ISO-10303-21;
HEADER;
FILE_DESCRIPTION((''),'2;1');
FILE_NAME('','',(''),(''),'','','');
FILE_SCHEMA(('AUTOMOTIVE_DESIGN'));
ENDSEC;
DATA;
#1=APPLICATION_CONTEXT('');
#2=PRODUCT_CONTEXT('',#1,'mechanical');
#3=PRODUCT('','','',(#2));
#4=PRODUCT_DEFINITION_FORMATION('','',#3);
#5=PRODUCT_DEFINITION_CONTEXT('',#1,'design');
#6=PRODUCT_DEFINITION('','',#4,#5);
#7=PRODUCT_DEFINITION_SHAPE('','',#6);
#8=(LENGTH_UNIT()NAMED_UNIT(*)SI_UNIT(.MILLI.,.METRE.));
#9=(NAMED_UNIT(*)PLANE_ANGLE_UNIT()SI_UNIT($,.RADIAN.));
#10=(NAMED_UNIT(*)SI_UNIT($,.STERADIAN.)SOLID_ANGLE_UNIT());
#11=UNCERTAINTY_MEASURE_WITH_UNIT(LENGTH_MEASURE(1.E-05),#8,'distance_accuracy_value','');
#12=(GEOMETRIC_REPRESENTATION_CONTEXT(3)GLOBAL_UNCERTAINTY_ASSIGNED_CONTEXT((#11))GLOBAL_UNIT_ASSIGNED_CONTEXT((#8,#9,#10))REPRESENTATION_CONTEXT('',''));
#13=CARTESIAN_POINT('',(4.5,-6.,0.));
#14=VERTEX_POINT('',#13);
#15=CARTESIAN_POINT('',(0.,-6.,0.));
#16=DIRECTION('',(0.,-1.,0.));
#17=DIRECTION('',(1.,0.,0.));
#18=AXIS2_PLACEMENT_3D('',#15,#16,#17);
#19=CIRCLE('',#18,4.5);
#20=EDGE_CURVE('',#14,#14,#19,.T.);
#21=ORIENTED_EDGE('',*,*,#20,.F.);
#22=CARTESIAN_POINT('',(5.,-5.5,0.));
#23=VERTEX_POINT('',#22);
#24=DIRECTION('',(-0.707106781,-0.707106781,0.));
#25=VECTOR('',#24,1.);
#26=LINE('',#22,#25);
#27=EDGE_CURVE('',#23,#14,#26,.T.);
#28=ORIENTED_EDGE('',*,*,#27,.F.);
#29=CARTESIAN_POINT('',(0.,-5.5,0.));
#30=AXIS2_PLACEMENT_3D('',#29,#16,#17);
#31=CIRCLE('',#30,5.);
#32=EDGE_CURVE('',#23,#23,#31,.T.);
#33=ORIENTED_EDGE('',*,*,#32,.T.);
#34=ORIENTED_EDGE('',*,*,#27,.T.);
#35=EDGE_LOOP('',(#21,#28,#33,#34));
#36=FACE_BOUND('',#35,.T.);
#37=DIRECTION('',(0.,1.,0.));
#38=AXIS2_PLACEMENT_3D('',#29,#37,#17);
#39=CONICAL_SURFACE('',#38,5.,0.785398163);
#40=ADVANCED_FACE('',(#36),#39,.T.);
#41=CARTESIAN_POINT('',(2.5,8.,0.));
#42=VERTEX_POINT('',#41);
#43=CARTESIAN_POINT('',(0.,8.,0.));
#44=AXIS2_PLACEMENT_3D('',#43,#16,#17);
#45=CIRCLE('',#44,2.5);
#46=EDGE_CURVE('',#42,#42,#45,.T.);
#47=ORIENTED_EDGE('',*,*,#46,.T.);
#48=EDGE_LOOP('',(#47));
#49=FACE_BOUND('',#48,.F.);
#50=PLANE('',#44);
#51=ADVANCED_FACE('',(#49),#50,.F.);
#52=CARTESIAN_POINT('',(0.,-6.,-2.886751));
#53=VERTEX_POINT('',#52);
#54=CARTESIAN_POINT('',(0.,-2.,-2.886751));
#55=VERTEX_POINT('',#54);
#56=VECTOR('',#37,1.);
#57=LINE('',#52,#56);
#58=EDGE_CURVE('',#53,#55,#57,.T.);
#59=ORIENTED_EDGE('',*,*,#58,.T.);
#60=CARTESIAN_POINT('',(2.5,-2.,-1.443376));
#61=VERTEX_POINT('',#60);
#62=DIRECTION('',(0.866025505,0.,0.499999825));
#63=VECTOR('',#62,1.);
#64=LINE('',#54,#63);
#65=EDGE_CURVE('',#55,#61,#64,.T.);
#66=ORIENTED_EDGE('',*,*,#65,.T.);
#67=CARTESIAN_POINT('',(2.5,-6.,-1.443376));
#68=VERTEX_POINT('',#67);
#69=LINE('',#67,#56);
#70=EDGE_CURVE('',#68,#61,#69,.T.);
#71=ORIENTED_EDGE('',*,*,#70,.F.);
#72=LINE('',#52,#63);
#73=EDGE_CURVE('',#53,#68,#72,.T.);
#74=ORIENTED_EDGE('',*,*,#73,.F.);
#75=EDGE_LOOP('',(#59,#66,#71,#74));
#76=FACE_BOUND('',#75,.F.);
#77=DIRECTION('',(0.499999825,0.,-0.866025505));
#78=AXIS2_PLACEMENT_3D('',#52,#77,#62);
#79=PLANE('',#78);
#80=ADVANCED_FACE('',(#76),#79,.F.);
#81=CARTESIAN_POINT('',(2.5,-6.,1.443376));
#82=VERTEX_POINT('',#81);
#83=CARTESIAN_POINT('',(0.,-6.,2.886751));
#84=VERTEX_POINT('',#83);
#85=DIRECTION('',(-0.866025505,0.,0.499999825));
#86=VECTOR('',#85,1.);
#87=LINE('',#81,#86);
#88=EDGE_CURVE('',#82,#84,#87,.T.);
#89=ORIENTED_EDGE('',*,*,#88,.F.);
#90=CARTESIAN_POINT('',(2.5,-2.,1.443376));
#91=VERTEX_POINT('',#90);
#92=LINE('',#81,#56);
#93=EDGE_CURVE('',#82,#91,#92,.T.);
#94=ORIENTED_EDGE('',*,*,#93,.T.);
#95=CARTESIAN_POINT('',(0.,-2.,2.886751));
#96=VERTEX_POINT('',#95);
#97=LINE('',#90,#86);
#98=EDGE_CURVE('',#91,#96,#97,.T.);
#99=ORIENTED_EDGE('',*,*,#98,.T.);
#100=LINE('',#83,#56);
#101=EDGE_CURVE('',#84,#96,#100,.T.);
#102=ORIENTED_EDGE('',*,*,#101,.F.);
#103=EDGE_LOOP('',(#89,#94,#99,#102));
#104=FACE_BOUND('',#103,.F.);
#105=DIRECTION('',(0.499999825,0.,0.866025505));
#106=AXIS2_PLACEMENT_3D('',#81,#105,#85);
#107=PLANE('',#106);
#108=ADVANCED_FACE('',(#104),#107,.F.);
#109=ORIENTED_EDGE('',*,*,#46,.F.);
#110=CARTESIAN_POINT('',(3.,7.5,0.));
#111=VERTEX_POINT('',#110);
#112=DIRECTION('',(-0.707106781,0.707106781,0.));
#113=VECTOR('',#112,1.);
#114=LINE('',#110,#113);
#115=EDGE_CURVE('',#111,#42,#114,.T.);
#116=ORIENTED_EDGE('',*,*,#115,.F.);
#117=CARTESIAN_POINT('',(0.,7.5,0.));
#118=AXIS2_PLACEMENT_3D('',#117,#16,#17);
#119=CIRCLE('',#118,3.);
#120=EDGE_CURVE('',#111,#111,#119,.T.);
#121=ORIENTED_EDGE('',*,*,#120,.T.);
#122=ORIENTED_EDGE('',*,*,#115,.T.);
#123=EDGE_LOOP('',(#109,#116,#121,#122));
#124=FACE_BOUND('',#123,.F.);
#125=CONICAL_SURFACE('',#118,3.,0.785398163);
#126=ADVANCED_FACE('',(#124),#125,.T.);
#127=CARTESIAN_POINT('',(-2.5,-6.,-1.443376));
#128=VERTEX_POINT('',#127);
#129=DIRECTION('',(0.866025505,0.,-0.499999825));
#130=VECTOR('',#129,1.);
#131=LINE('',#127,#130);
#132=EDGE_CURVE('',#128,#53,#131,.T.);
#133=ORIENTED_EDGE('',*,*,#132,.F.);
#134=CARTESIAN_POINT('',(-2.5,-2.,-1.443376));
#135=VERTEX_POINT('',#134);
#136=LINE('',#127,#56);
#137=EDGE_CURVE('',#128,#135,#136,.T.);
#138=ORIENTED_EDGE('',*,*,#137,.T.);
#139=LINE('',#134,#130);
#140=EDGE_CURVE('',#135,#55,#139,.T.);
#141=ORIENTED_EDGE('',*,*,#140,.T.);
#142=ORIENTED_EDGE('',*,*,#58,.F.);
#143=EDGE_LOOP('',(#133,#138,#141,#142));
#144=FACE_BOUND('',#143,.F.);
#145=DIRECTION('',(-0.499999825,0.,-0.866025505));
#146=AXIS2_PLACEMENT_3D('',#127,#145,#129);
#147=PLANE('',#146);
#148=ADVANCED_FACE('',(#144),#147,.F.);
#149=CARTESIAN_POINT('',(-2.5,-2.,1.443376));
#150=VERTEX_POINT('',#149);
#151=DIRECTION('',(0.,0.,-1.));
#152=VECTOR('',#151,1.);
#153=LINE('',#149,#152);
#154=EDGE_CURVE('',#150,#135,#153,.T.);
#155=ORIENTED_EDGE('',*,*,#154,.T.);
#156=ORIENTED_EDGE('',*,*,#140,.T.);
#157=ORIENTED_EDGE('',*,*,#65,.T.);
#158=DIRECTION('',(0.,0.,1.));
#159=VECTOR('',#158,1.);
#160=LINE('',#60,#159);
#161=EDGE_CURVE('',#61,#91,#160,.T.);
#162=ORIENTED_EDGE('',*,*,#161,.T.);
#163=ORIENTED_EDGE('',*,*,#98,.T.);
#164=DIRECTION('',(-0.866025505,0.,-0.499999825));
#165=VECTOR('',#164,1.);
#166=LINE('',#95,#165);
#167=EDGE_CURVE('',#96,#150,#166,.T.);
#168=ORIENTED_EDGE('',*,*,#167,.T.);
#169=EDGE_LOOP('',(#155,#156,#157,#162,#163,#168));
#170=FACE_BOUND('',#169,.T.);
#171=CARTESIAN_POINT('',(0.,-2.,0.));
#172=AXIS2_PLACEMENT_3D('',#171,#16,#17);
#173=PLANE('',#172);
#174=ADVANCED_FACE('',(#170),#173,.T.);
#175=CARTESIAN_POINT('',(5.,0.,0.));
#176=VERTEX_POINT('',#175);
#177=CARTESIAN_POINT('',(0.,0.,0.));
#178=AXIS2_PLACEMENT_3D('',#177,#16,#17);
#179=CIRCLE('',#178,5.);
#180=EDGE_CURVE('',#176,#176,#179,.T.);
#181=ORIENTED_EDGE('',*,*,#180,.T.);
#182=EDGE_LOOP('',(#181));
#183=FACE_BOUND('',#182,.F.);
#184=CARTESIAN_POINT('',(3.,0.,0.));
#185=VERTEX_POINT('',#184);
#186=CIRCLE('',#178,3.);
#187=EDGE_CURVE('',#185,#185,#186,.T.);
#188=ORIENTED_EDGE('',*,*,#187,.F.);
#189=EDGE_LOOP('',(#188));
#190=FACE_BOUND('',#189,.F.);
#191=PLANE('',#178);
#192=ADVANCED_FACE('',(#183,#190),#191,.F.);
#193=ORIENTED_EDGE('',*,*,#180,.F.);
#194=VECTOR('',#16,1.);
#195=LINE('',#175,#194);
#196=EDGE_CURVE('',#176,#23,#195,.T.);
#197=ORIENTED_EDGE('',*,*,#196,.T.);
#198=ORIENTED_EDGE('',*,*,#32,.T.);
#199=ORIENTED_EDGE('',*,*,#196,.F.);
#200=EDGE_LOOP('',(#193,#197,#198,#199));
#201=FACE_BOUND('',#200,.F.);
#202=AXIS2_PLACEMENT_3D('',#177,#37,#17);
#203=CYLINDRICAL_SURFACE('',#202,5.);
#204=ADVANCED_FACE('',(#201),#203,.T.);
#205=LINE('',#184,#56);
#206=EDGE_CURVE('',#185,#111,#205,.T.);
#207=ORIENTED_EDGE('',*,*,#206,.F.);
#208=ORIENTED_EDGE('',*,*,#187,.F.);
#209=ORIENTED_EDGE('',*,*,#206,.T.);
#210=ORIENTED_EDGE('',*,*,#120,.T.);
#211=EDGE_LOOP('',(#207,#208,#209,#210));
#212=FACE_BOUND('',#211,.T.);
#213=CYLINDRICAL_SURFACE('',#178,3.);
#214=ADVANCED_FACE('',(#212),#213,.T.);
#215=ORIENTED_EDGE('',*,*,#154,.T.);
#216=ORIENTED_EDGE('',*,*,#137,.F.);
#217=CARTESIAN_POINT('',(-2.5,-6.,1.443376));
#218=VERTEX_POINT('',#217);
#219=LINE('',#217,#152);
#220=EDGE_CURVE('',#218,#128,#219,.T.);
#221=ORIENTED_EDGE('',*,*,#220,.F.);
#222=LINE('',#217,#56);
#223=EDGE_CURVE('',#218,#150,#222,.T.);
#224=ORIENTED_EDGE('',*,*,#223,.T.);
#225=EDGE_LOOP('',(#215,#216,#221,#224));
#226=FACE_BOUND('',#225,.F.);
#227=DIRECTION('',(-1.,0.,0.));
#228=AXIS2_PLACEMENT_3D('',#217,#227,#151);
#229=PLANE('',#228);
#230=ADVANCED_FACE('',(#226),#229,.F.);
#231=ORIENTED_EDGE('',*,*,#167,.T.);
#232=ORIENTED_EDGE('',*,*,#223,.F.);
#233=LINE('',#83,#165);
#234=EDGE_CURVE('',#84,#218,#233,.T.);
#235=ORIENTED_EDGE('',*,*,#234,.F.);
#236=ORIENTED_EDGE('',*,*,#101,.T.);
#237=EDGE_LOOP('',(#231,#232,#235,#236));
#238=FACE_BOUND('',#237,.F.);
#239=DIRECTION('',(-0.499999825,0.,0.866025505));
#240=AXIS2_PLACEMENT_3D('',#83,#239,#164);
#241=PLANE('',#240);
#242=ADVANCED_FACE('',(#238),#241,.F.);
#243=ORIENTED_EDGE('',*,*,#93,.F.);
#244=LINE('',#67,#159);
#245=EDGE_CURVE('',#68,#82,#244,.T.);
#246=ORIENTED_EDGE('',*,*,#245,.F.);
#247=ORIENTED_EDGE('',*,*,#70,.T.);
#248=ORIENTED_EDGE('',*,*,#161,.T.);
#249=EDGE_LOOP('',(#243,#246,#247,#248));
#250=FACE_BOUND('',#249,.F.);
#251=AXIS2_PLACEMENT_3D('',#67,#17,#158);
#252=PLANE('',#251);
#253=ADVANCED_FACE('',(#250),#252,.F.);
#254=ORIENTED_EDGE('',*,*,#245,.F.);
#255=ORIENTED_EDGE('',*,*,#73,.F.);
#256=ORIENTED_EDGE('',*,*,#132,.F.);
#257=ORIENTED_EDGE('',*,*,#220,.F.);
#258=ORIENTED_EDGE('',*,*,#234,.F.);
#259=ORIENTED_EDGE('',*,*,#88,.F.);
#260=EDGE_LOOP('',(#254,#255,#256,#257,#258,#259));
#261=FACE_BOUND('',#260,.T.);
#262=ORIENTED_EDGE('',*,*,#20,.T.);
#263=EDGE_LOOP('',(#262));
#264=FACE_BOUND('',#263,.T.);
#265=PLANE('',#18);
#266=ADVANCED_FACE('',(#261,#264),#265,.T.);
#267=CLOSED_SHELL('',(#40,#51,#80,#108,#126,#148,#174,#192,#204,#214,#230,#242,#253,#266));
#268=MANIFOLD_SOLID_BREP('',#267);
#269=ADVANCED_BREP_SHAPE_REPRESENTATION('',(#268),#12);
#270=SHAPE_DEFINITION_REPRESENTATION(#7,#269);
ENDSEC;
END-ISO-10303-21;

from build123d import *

# Parameters (mm, degrees)
F0_R     = 5
F0_R_2   = 3
F1_DEPTH = 6
F2_DEPTH = 8
F3_SIZE  = 0.5
F5_DEPTH = 4


with BuildPart() as f1:
    # F0 (on Front) → F1 (new body)
    with BuildSketch(Plane.XZ):
        Circle(F0_R)
        Circle(F0_R_2, mode=Mode.SUBTRACT)
        Circle(F0_R_2)
    extrude(amount=F1_DEPTH)

    # F0 (on Front) → F2 (join)
    with BuildSketch(Plane.XZ):
        Circle(F0_R_2)
    extrude(amount=-F2_DEPTH)

    # F3
    f3_edges = [f1.edges().sort_by_distance(p)[0] for p in [
        (-5, -6, 0),
        (-3, 8, 0),
    ]]
    chamfer(f3_edges, length=F3_SIZE)

    # F4 (on face) → F5 (cut)
    with BuildSketch(Plane.XZ.offset(6)):
        Polygon((2.5, -1.443376), (2.5, 1.443376), (0, 2.886751), (-2.5, 1.443376), (-2.5, -1.443376), (0, -2.886751), align=None)
    extrude(amount=-F5_DEPTH, mode=Mode.SUBTRACT)


solid = f1.part
